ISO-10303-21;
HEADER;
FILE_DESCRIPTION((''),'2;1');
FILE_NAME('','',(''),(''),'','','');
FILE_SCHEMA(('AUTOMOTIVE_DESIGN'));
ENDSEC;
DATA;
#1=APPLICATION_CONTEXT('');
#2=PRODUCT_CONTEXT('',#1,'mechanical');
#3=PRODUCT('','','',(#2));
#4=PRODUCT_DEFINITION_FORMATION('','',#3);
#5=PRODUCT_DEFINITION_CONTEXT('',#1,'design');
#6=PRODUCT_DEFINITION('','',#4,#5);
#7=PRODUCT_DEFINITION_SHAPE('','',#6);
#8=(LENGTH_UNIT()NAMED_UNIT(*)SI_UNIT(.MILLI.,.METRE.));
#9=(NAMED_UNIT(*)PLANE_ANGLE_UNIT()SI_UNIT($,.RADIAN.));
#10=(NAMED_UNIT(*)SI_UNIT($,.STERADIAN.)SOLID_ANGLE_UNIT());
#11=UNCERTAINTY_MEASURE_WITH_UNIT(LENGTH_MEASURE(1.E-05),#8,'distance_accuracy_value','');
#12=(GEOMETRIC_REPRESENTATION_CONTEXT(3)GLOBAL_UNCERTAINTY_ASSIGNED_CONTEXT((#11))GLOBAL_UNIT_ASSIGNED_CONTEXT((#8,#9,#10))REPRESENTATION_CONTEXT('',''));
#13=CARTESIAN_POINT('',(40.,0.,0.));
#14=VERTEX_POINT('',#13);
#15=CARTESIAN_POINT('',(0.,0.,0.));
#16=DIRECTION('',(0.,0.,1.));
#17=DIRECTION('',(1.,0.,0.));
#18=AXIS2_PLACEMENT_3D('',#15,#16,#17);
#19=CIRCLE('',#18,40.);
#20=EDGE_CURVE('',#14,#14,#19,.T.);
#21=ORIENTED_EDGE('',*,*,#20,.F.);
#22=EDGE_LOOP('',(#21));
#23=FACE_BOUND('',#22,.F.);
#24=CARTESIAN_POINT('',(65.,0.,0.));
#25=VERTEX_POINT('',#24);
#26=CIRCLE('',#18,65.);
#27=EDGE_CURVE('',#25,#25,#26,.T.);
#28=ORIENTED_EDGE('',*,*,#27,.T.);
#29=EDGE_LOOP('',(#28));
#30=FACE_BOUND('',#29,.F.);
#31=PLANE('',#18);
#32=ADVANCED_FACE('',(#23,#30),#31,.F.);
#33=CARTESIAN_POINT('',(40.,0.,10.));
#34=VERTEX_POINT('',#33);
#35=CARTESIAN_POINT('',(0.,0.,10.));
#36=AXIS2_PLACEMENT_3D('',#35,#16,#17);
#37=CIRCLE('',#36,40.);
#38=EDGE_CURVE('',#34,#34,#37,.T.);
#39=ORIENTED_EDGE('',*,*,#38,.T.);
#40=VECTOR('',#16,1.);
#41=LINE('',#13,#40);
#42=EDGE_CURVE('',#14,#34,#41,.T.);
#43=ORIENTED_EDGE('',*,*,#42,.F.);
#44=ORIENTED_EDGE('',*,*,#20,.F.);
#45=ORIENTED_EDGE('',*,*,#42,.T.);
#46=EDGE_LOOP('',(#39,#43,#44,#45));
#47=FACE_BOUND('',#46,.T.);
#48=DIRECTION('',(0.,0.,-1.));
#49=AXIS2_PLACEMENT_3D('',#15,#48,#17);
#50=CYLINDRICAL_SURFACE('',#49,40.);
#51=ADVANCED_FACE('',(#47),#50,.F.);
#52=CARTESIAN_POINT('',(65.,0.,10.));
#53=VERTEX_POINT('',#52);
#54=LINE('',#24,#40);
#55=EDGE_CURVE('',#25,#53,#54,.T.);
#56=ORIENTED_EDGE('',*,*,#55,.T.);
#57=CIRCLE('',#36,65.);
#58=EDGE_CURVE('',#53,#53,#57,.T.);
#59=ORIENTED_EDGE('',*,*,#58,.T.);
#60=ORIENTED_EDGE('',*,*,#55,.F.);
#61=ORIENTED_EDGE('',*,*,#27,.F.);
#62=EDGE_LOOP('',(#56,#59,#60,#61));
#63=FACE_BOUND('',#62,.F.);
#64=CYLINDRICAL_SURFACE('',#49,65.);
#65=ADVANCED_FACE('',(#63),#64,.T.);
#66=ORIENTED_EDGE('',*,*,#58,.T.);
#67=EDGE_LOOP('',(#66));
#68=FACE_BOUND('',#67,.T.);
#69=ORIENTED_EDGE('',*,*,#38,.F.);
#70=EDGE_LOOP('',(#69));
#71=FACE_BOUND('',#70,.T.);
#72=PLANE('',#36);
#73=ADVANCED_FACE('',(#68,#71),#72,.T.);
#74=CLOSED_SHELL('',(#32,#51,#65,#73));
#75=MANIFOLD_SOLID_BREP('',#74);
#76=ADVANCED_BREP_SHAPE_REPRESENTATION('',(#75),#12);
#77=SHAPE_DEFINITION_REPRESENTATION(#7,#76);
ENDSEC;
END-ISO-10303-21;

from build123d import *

# Parameters (mm, degrees)
SKETCH_R   = 65
SKETCH_R_2 = 40
PAD_DEPTH  = 10


with BuildPart() as part:
    # Sketch → Pad (new body)
    with BuildSketch(Plane.XY):
        Circle(SKETCH_R)
        Circle(SKETCH_R_2, mode=Mode.SUBTRACT)
    extrude(amount=PAD_DEPTH)


solid = part.part
